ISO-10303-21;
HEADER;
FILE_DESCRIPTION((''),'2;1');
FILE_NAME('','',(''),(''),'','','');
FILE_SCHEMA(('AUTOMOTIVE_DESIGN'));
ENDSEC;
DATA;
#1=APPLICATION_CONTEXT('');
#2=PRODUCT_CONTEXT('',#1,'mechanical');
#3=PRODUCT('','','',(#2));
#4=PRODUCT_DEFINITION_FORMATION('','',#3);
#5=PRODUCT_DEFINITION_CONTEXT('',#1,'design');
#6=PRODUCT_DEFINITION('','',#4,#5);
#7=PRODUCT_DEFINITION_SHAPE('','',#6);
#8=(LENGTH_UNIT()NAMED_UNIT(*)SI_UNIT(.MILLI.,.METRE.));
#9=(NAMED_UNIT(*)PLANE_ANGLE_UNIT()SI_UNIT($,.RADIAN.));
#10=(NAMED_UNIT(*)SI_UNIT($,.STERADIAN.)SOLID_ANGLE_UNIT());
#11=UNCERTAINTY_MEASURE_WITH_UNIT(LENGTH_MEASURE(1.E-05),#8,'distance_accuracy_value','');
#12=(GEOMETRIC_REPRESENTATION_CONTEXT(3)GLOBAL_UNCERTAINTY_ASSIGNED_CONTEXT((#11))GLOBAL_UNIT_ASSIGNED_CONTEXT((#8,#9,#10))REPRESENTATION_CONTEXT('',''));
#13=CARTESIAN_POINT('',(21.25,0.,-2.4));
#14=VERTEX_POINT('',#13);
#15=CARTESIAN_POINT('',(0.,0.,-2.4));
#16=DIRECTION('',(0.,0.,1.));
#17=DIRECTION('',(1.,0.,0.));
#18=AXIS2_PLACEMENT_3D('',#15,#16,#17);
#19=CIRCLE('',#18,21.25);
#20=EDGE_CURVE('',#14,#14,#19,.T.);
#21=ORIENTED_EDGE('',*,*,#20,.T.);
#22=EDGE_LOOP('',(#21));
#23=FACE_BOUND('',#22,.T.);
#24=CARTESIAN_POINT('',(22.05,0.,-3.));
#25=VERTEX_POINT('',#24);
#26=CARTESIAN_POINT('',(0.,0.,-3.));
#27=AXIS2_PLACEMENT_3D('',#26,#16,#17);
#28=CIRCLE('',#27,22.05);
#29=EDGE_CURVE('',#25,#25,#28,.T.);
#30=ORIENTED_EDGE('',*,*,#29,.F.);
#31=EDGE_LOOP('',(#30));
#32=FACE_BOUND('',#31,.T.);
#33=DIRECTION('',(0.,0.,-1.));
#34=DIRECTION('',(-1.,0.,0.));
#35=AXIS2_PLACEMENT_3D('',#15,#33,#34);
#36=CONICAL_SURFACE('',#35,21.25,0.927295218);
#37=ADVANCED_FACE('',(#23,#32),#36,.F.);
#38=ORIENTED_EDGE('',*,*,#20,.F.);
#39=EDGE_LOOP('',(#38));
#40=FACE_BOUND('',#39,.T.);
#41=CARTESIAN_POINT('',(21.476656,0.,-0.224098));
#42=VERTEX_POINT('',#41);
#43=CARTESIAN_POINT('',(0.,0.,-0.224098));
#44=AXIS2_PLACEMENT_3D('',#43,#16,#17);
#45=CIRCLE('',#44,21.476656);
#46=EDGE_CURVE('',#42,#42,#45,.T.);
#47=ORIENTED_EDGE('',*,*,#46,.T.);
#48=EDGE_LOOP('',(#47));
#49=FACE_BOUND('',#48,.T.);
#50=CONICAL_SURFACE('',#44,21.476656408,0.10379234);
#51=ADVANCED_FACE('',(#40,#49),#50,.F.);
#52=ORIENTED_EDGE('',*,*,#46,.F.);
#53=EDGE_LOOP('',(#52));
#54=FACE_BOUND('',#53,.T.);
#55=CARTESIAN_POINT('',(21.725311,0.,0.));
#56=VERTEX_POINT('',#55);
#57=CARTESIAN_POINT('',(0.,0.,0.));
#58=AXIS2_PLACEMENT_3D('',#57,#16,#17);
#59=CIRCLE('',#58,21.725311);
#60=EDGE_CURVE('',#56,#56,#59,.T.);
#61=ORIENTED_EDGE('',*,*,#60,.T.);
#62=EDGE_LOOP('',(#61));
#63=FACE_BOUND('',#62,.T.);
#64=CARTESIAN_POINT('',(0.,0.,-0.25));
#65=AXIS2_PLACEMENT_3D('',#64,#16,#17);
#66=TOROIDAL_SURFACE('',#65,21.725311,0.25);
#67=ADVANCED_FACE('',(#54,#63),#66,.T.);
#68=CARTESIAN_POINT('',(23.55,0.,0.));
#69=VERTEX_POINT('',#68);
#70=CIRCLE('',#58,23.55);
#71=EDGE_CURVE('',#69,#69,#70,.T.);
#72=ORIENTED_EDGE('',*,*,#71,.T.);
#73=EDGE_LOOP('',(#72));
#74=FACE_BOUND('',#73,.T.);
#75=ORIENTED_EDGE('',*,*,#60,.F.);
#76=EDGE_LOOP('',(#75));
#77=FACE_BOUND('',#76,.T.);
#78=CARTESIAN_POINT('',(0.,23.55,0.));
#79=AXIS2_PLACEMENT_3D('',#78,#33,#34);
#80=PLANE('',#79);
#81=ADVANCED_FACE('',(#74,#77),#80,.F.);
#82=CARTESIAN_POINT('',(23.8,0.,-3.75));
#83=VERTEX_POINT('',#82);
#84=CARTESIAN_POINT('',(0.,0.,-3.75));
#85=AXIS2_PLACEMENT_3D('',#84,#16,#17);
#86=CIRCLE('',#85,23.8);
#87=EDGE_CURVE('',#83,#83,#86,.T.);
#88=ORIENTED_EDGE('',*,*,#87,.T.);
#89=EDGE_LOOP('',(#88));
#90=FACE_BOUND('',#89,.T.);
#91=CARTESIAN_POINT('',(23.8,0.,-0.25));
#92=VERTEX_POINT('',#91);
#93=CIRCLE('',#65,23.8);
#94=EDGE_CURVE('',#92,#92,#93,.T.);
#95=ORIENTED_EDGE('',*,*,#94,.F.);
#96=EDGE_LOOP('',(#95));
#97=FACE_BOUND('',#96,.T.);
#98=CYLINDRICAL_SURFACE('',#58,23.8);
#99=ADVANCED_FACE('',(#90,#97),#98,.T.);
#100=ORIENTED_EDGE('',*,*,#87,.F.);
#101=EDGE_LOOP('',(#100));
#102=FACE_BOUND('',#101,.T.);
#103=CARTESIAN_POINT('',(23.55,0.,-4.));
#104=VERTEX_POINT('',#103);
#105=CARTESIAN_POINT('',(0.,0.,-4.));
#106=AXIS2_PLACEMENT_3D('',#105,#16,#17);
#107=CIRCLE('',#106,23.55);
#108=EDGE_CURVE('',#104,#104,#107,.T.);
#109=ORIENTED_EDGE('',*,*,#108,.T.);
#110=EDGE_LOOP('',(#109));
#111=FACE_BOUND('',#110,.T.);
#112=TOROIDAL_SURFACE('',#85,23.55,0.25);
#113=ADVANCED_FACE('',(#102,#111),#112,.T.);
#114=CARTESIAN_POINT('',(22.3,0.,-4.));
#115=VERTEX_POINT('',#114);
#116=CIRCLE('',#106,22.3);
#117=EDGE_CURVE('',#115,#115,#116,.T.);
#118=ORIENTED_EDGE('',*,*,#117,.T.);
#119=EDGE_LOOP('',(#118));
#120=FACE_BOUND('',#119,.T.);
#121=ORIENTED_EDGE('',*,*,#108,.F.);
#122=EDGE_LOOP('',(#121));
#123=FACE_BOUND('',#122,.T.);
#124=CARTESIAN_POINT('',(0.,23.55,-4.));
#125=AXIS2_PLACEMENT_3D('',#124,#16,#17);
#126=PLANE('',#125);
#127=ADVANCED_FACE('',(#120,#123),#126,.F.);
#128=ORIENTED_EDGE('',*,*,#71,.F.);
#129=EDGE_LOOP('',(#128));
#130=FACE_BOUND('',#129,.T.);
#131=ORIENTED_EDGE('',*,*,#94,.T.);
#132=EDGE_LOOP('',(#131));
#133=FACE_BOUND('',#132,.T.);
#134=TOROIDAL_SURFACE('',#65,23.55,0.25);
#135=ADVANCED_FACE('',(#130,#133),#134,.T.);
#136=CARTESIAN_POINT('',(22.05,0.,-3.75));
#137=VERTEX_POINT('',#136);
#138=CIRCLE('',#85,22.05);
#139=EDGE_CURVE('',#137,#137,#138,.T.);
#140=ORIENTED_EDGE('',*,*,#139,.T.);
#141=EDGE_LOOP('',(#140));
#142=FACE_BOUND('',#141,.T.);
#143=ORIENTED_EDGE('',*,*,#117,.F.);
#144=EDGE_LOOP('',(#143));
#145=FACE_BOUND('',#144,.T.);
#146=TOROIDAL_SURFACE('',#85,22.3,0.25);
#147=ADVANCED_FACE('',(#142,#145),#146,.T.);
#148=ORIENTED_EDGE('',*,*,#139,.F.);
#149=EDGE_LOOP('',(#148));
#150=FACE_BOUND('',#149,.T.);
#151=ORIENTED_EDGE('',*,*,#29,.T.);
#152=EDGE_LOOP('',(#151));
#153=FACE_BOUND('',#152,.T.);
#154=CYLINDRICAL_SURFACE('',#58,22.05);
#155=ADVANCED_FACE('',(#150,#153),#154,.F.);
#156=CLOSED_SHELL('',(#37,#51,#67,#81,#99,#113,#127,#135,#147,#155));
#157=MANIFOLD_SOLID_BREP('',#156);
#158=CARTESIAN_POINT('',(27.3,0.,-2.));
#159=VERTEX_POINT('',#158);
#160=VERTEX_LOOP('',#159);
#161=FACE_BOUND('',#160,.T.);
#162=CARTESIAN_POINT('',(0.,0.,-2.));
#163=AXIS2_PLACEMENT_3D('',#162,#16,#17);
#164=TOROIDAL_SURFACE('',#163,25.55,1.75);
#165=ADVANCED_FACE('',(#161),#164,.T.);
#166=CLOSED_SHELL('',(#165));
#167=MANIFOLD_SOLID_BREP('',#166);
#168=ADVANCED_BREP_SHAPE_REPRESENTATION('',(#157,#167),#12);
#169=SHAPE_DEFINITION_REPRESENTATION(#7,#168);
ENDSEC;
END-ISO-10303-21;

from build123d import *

# Parameters (mm, degrees)
SKETCH2_R = 1.75


with BuildPart() as part:
    # Sketch1 → Revolve1 (revolve)
    with BuildSketch(Plane(origin=(0, 0, 0), x_dir=(0, 0, -1), z_dir=(1, 0, 0)), mode=Mode.PRIVATE) as revolve1_sk:
        with BuildLine():
            Line((0.25, 23.8), (3.75, 23.8))
            ThreePointArc((3.75, 23.8), (3.926776695, 23.726776695), (4, 23.55))
            Line((4, 23.55), (4, 22.3))
            ThreePointArc((4, 22.3), (3.926776695, 22.123223305), (3.75, 22.05))
            Line((3.75, 22.05), (3, 22.05))
            Line((3, 22.05), (2.4, 21.25))
            Line((2.4, 21.25), (0.224098479, 21.476656408))
            ThreePointArc((0.224098479, 21.476656408), (0.064291384, 21.557942227), (0, 21.725311011))
            Line((0, 21.725311011), (0, 23.55))
            ThreePointArc((0, 23.55), (0.073223305, 23.726776695), (0.25, 23.8))
        make_face()
    revolve(revolve1_sk.sketch.rotate(Axis((0, 0, 0), (0, 0, -1)), 90), axis=Axis((0, 0, 0), (0, 0, -1)))


with BuildPart() as body_2:
    # Sketch2 → Revolve2 (revolve)
    with BuildSketch(Plane(origin=(0, 0, 0), x_dir=(0, 0, -1), z_dir=(1, 0, 0)), mode=Mode.PRIVATE) as revolve2_sk:
        with Locations((2, 25.55)):
            Circle(SKETCH2_R)
    revolve(revolve2_sk.sketch.rotate(Axis((0, 0, 0), (0, 0, -1)), 270), axis=Axis((0, 0, 0), (0, 0, -1)))


solid = Compound([part.part, body_2.part])
